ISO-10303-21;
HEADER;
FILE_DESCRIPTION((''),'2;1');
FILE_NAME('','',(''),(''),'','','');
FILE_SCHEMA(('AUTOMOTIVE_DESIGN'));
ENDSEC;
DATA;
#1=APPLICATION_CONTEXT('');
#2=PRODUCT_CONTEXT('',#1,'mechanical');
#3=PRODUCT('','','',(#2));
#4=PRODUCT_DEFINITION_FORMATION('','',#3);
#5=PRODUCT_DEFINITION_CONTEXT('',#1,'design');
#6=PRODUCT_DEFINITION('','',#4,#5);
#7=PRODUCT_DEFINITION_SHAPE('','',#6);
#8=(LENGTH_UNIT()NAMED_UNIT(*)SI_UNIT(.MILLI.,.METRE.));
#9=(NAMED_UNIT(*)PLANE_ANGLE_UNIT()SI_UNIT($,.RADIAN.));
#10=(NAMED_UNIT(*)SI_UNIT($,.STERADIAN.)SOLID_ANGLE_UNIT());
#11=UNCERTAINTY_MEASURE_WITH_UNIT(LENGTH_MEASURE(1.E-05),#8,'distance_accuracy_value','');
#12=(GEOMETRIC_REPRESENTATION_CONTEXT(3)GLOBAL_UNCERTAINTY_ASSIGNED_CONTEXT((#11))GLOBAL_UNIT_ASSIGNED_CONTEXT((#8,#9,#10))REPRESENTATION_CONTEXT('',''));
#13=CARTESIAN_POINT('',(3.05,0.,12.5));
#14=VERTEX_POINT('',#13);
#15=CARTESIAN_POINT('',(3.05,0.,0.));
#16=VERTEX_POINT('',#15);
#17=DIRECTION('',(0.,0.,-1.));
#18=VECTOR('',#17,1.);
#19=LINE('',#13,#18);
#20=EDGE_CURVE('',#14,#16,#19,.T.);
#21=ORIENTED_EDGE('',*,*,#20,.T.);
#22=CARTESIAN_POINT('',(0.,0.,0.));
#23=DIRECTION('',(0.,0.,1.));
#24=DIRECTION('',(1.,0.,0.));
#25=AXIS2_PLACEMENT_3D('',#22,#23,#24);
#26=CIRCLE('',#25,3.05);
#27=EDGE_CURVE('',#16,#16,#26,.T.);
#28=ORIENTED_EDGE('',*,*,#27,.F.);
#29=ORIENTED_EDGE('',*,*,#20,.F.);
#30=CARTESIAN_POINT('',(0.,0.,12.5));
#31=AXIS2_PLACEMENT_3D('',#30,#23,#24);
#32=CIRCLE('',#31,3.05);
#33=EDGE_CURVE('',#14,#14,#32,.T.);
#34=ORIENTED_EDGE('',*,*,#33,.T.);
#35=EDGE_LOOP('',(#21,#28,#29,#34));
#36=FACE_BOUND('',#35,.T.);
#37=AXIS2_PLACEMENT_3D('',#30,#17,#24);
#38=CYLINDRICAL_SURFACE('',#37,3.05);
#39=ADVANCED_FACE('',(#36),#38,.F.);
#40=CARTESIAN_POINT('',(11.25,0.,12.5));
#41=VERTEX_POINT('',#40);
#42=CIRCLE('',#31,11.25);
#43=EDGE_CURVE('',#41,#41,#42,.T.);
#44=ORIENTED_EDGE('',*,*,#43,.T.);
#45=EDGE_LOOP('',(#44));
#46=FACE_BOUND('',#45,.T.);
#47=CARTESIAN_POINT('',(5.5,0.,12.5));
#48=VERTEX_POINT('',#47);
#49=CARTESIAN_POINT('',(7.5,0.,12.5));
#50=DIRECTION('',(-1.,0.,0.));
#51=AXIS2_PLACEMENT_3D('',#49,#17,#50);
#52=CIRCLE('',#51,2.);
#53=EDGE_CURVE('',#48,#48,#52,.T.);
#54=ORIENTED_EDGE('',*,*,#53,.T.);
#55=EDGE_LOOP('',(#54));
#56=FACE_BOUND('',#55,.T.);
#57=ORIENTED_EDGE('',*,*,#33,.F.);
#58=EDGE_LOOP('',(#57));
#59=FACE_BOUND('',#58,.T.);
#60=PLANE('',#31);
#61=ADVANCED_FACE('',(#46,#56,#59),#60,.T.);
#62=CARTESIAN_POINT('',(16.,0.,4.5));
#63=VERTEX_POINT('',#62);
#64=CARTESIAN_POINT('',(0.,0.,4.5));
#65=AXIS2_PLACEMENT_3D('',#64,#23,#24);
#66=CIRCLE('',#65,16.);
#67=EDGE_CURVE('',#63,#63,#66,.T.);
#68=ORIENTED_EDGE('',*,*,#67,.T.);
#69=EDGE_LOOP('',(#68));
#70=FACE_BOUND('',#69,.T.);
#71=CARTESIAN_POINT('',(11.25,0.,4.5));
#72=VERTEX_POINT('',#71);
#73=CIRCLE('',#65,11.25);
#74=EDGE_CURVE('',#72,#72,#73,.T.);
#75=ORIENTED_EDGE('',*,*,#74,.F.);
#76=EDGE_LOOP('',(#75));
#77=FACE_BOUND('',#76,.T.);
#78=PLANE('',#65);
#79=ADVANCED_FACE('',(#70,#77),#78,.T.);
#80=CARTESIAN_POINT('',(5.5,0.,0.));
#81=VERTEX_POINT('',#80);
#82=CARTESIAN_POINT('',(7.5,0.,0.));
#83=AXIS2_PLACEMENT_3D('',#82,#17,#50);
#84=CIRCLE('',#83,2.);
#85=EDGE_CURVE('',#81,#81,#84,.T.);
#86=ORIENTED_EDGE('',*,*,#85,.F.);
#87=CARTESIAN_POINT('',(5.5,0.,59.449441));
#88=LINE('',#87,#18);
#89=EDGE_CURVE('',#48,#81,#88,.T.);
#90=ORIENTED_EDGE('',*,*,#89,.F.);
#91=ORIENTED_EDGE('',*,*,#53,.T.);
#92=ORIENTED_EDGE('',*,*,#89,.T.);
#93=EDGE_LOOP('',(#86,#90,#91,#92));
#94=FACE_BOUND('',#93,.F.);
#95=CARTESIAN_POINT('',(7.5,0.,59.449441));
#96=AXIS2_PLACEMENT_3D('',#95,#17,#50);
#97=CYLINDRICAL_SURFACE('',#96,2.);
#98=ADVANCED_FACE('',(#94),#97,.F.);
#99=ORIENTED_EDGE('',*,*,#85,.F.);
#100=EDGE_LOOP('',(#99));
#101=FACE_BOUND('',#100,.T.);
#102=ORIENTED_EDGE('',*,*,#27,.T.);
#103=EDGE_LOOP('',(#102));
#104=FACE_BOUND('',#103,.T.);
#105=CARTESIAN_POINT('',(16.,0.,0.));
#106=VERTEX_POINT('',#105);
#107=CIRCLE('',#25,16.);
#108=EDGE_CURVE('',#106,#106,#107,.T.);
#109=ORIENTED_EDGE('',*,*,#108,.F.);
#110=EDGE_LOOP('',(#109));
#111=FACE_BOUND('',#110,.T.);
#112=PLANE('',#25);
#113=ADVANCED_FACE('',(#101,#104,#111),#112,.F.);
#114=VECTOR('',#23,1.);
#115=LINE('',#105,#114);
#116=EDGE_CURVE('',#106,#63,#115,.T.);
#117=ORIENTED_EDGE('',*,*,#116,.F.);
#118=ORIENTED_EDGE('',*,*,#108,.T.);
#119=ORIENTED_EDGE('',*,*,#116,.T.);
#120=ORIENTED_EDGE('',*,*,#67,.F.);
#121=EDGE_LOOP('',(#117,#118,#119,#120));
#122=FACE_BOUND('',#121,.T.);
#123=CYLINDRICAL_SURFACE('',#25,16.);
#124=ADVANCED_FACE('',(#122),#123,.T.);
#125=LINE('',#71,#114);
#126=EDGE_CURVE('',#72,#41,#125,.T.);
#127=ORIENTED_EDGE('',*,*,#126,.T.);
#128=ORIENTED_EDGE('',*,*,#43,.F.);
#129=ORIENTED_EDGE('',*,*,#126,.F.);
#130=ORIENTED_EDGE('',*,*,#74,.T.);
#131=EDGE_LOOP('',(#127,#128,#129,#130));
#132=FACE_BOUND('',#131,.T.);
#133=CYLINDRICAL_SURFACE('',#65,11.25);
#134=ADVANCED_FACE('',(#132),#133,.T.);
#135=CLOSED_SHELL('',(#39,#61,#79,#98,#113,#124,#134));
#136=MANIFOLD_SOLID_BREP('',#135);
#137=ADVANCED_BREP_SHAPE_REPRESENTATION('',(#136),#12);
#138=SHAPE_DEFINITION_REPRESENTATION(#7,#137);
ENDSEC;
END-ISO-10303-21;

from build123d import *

# Parameters (mm, degrees)
F3_D = 4


with BuildPart() as f1:
    # F0 (on Front) → F1 (revolve)
    with BuildSketch(Plane.XZ):
        Polygon((11.25, 12.5), (3.05, 12.5), (3.05, 0), (16, 0), (16, 4.5), (11.25, 4.5), align=None)
    revolve(axis=Axis((0, 0, 22.5), (0, 0, 1)))

    # F3 (through all)
    with Locations(Plane.XY.offset(12.5)):
        with Locations((7.5, 0)):
            Hole(F3_D / 2)


solid = f1.part
